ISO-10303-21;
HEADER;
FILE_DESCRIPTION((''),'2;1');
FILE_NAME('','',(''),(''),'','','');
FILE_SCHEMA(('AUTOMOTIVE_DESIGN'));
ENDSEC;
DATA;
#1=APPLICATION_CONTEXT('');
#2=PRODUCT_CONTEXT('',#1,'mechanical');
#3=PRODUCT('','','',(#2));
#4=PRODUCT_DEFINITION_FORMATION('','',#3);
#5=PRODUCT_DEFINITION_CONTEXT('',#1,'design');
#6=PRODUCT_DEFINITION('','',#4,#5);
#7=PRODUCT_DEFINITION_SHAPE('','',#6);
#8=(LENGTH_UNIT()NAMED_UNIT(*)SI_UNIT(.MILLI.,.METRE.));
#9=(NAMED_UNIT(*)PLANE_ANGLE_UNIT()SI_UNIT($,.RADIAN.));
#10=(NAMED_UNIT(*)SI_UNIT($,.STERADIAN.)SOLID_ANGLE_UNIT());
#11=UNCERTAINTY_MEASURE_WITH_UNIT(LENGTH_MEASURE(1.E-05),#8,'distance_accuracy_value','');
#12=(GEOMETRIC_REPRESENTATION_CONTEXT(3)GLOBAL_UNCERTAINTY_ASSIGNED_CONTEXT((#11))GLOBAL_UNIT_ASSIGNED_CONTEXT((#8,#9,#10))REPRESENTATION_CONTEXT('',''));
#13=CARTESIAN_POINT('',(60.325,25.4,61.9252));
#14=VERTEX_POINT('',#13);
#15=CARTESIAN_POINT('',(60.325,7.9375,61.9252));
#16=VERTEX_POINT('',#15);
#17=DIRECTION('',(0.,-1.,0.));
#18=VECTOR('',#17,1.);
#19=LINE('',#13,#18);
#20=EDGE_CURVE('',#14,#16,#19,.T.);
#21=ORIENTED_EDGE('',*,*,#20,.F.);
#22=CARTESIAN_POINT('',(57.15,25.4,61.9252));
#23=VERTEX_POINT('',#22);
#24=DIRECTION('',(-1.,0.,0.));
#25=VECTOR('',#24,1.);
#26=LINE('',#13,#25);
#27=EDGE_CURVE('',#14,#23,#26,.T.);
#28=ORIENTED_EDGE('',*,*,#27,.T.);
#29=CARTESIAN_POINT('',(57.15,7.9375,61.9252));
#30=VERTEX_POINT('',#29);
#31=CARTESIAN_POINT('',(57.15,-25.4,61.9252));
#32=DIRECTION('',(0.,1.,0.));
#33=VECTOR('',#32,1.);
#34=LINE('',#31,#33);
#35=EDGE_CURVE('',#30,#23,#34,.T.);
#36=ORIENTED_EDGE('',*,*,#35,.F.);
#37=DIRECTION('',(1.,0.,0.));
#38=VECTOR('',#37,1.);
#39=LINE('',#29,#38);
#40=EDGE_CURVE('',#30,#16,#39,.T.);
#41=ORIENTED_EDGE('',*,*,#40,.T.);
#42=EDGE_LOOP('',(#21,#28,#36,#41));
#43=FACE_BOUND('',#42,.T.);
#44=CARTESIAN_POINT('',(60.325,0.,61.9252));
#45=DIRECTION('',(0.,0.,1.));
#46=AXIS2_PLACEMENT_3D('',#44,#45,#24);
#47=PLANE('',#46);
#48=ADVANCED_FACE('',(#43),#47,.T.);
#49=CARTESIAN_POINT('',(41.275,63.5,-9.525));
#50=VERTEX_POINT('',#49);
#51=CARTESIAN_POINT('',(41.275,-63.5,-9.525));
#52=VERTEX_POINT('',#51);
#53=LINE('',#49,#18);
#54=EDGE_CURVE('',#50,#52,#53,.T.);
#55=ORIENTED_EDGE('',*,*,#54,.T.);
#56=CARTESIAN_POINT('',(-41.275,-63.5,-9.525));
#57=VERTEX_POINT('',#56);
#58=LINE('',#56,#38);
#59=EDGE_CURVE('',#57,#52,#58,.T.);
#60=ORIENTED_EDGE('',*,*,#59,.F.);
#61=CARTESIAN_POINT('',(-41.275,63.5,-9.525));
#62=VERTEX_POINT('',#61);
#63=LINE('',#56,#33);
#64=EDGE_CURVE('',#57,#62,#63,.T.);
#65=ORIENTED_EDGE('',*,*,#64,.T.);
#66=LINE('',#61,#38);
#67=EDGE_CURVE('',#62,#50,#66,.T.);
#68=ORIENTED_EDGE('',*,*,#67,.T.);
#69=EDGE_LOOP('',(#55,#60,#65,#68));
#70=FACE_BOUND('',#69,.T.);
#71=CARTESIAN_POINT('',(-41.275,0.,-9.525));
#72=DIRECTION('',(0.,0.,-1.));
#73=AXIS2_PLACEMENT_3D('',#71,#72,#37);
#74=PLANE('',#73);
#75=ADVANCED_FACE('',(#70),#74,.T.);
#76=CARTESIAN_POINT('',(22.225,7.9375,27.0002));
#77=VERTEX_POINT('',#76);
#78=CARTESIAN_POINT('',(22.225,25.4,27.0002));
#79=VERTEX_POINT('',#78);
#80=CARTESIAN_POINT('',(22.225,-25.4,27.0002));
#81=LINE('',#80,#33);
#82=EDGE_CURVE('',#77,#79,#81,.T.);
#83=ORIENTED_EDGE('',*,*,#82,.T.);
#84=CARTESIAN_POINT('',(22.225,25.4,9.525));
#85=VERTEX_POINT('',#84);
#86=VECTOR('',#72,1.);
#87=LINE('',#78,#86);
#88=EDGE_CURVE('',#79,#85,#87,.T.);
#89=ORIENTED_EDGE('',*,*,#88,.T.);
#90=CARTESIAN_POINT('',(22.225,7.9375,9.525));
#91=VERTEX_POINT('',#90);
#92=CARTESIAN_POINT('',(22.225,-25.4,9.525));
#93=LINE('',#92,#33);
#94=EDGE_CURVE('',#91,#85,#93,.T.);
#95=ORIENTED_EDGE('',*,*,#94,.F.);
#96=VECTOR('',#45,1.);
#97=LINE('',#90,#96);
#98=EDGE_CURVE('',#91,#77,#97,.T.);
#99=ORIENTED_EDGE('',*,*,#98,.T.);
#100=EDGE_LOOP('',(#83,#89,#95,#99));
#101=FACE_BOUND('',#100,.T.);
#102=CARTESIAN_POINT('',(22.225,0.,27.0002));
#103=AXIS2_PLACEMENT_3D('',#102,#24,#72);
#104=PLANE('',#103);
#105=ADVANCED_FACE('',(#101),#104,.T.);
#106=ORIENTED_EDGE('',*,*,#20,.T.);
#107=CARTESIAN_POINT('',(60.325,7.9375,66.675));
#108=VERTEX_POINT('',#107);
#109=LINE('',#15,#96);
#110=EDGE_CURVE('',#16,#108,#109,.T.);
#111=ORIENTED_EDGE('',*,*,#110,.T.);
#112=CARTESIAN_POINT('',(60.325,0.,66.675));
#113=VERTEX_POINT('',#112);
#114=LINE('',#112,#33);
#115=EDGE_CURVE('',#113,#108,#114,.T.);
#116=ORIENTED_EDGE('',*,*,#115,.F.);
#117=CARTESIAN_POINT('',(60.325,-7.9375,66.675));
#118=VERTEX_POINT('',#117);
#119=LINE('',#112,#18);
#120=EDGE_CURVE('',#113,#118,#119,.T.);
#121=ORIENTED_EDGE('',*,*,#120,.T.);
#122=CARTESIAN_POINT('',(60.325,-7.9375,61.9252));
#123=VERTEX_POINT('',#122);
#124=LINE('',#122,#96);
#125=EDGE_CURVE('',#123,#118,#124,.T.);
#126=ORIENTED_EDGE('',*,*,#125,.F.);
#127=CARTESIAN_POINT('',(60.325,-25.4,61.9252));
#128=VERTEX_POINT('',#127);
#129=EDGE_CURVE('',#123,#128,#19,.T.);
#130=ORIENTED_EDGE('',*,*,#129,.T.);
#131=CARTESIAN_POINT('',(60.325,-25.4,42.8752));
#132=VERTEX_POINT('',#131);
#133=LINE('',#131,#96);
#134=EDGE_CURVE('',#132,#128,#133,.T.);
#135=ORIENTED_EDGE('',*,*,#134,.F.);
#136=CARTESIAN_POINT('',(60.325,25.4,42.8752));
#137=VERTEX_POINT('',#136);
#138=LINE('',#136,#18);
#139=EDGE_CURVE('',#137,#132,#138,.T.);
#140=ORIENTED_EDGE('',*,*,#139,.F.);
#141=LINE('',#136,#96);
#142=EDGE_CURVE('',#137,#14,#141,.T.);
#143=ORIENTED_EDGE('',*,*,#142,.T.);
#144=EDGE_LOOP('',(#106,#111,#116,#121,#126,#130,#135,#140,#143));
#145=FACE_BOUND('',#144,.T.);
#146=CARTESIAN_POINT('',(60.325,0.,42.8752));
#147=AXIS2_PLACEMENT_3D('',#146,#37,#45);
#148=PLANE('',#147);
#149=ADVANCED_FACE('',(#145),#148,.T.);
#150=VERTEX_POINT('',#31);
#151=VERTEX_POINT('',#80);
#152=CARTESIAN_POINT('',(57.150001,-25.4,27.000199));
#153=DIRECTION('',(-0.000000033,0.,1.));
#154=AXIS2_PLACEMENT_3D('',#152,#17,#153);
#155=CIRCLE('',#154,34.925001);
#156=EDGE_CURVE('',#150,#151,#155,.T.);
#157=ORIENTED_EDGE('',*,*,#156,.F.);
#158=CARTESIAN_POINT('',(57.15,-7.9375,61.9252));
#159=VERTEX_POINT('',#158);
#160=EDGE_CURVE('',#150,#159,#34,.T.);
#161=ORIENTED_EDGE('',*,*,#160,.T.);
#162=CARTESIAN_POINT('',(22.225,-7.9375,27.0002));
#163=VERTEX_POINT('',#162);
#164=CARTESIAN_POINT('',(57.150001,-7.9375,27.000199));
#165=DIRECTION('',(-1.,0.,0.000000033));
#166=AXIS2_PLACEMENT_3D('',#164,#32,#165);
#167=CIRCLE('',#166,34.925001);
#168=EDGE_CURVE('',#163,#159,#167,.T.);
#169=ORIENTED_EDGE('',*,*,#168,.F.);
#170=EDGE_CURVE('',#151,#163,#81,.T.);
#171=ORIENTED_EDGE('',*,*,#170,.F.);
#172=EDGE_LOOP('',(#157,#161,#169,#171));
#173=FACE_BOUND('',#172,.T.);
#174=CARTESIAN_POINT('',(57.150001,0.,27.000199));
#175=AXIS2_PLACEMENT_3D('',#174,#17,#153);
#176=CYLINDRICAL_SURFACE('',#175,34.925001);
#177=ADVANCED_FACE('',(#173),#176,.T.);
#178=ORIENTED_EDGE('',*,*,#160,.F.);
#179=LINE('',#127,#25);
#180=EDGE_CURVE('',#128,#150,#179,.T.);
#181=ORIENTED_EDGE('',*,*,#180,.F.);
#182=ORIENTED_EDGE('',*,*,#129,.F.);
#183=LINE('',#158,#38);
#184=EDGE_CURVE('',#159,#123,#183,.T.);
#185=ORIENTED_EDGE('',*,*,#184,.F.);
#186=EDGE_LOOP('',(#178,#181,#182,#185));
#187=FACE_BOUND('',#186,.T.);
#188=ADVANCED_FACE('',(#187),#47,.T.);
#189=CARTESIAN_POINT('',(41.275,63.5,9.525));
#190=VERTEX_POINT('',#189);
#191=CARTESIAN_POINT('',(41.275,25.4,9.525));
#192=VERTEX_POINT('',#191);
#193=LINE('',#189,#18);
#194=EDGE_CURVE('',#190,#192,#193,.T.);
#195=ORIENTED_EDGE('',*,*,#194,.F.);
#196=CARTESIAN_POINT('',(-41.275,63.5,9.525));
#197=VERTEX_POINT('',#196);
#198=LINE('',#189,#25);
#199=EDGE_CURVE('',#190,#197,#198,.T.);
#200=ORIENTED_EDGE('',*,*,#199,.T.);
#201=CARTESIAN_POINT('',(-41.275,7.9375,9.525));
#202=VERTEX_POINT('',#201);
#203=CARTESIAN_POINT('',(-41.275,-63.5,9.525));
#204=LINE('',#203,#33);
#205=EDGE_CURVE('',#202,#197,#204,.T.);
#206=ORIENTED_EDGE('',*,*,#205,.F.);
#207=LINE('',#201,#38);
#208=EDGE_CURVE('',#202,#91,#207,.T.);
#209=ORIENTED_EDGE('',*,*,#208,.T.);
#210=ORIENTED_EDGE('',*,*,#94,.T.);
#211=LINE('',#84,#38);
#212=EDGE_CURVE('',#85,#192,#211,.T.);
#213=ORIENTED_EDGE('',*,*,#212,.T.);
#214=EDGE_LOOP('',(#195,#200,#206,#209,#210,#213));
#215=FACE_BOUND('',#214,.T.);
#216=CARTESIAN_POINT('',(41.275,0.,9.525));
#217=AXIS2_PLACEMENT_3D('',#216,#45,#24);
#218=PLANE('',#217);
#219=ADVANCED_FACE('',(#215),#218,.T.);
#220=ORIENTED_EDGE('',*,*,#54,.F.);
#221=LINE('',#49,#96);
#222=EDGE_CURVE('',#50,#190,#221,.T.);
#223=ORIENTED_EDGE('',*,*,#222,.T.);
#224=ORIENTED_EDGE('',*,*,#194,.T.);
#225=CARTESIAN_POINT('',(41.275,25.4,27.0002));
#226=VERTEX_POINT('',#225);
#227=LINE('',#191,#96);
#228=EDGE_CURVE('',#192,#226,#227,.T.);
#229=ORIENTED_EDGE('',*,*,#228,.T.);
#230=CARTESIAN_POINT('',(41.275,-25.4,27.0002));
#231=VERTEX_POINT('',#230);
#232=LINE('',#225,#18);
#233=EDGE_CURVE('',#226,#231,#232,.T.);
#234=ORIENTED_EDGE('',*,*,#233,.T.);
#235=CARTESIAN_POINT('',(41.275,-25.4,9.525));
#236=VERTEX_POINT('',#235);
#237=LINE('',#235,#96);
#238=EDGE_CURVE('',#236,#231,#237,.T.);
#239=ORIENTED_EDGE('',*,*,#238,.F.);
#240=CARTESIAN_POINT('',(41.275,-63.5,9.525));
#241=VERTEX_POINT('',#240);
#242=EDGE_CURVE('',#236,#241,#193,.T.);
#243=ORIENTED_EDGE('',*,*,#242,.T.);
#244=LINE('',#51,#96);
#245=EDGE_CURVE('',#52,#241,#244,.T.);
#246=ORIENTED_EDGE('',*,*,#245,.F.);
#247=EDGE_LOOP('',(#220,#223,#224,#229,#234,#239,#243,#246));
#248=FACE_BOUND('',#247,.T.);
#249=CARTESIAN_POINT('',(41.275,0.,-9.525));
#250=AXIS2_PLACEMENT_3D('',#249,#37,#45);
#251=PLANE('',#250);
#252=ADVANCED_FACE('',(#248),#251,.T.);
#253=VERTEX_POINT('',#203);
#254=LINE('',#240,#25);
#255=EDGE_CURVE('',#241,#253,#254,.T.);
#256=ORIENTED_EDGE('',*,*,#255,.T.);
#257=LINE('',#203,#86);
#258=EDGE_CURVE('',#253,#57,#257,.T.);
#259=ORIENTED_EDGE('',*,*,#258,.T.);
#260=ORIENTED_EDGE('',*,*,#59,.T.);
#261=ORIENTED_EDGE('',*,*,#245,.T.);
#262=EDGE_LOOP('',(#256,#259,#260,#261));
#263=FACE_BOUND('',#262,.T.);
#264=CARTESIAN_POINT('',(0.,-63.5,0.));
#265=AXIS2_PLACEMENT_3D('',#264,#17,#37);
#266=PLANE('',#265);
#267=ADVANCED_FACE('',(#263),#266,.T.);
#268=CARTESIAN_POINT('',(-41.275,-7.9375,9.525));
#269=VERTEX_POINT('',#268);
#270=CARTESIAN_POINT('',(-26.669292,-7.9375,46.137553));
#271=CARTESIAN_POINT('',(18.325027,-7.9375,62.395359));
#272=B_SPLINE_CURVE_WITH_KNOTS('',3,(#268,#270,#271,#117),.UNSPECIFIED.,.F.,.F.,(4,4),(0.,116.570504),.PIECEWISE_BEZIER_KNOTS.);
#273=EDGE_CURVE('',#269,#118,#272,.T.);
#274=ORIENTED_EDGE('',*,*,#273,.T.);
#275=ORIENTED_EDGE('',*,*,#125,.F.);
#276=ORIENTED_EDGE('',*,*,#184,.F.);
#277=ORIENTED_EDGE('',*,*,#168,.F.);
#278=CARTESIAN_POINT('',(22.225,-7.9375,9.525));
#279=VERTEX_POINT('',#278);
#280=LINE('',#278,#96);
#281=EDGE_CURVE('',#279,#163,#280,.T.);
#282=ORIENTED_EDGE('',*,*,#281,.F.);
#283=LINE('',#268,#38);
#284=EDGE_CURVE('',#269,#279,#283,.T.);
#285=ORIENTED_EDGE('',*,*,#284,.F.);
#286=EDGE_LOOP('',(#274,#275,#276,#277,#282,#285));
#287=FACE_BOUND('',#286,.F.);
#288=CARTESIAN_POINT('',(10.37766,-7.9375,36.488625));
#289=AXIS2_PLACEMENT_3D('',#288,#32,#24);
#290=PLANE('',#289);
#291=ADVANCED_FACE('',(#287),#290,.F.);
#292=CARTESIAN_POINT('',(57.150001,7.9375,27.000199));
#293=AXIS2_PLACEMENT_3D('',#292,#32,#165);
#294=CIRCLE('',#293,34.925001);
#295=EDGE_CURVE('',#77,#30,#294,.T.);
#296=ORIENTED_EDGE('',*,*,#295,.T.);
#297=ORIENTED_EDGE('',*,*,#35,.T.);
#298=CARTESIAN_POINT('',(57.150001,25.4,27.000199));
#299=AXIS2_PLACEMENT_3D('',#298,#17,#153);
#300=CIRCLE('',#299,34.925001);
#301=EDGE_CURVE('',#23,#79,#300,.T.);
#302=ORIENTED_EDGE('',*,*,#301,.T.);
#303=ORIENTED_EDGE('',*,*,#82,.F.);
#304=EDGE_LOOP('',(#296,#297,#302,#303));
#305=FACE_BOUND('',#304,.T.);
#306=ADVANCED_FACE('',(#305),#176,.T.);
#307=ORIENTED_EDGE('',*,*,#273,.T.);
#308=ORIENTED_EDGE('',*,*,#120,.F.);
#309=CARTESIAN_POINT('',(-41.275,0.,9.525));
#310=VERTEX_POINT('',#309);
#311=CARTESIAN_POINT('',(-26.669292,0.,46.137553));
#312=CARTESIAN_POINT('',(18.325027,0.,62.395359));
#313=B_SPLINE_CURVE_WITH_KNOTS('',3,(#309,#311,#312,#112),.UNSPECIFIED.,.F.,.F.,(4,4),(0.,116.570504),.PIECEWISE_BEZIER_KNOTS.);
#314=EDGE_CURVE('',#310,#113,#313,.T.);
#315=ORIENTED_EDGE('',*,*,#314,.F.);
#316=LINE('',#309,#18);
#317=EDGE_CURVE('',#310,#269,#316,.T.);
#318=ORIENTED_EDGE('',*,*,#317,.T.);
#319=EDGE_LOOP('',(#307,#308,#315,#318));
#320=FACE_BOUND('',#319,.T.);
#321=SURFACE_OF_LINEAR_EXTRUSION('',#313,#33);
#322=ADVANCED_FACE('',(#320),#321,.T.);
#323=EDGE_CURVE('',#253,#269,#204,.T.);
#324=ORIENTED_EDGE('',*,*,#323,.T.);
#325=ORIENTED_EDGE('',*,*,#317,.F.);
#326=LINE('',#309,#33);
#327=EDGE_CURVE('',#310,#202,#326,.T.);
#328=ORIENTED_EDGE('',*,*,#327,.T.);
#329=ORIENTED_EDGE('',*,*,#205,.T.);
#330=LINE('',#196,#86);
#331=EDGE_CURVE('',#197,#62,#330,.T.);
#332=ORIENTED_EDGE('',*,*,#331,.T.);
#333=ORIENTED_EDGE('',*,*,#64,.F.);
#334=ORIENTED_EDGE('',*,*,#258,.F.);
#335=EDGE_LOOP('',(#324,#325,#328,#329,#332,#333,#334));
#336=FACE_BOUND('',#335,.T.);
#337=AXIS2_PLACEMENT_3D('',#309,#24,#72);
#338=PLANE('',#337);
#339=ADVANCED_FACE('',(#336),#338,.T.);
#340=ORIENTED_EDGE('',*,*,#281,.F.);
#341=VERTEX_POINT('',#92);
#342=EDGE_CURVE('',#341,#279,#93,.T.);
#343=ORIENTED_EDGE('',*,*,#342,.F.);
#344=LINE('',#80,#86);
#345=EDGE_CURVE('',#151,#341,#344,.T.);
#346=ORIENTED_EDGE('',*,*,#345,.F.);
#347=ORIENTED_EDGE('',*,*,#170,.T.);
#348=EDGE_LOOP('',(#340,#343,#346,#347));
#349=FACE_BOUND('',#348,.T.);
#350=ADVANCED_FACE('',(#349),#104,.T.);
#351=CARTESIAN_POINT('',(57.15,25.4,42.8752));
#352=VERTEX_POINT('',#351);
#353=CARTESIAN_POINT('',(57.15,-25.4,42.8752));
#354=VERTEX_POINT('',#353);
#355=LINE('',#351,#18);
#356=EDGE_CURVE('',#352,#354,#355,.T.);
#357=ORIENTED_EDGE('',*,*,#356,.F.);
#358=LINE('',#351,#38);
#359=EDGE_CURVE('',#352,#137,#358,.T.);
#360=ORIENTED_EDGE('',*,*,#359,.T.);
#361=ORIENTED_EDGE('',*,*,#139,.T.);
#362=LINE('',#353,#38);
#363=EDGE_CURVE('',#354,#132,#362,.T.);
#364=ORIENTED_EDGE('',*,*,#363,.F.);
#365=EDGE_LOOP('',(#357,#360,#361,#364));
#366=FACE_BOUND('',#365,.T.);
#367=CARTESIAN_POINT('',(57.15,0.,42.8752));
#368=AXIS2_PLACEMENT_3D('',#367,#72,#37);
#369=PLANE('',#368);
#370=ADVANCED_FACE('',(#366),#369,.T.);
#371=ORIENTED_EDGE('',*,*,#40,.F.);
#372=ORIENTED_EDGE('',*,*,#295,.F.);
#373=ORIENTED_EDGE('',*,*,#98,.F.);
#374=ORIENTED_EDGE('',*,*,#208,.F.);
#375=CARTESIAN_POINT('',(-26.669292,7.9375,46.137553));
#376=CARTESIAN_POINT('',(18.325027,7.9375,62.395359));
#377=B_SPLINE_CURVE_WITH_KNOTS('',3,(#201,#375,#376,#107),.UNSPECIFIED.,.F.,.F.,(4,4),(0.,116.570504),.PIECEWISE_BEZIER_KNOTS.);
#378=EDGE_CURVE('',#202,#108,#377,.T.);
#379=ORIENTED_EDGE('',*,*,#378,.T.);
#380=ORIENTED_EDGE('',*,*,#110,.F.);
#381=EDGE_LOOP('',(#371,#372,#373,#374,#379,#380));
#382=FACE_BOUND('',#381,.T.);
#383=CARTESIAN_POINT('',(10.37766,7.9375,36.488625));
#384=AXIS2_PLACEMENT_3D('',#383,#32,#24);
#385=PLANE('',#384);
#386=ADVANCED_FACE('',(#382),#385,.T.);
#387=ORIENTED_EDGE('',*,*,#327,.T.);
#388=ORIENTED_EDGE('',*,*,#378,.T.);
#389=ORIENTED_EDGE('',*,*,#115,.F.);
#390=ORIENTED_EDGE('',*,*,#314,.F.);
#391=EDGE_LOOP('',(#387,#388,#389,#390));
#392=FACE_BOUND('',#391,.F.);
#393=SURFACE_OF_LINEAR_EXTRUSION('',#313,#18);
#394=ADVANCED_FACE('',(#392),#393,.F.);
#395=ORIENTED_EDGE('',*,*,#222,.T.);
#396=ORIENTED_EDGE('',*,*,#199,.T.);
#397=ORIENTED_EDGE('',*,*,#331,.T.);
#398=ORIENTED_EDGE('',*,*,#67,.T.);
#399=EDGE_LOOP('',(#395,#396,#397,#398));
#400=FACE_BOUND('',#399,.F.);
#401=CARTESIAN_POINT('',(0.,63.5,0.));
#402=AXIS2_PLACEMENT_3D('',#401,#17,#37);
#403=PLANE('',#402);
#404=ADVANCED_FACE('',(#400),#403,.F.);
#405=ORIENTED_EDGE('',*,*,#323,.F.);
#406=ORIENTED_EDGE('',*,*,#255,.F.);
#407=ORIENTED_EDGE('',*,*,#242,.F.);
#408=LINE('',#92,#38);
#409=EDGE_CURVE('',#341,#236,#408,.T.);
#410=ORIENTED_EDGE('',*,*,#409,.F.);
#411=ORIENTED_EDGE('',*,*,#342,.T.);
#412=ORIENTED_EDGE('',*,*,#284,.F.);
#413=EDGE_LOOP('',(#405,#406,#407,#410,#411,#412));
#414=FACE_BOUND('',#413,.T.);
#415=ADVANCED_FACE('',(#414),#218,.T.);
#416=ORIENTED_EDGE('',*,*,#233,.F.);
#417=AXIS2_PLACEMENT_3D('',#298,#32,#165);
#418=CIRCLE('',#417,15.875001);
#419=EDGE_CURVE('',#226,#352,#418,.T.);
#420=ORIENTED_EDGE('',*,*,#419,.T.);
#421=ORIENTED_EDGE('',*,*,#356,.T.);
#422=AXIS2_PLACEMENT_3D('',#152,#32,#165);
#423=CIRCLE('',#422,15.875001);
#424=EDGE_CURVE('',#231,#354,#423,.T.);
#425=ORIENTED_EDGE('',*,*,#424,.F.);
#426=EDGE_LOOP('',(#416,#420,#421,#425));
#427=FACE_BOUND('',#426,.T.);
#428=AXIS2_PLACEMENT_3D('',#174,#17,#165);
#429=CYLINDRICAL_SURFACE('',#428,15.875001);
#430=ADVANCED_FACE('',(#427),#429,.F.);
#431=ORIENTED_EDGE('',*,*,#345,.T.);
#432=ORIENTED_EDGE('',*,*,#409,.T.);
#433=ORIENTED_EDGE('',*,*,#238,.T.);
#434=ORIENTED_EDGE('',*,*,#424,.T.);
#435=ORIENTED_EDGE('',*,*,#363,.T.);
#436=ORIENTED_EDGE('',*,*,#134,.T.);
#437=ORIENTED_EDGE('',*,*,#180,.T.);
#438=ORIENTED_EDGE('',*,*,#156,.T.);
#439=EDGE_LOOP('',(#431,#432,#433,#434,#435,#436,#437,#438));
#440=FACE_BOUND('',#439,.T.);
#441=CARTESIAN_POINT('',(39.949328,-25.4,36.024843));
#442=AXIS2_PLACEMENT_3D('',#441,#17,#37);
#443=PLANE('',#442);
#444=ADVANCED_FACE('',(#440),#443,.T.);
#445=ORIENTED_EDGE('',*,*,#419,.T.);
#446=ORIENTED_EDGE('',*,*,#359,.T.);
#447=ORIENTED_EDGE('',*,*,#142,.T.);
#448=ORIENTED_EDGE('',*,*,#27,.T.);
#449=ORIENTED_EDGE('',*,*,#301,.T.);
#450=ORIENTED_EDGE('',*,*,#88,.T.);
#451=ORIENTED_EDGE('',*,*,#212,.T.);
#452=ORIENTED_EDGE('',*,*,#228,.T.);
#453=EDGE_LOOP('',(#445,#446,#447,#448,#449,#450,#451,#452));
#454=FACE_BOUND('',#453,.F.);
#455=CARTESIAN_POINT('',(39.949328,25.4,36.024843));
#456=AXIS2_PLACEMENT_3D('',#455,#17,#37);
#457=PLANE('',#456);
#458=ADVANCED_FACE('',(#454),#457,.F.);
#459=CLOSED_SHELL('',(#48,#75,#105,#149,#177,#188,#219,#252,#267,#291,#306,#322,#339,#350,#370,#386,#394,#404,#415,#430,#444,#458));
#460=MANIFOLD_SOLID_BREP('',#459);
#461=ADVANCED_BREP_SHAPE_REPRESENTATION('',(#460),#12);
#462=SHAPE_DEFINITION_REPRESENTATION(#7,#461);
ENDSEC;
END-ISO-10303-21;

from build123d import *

# Parameters (mm, degrees)
F1_DEPTH = 63.5
F2_DEPTH = 25.4
F3_DEPTH = 7.9375


with BuildPart() as f1:
    # F0 (on Front) → F1 (new body, symmetric)
    with BuildSketch(Plane.XZ):
        Polygon((-41.275, -9.525), (41.275, -9.525), (41.275, 9.525), (22.225, 9.525), (-41.275, 9.525), align=None)
    extrude(amount=F1_DEPTH, both=True)

    # F0 (on Front) → F2 (join, symmetric)
    with BuildSketch(Plane.XZ):
        with BuildLine():
            Line((22.225, 9.525), (41.275, 9.525))
            Line((41.275, 9.525), (41.275, 27.0002))
            ThreePointArc((41.275, 27.0002), (45.92468, 38.22552), (57.15, 42.8752))
            Line((57.15, 42.8752), (60.325, 42.8752))
            Line((60.325, 42.8752), (60.325, 61.9252))
            Line((60.325, 61.9252), (57.15, 61.9252))
            ThreePointArc((57.15, 61.9252), (32.454296, 51.695904), (22.225, 27.0002))
            Line((22.225, 27.0002), (22.225, 9.525))
        make_face()
    extrude(amount=F2_DEPTH, both=True)

    # F0 (on Front) → F3 (join, symmetric)
    with BuildSketch(Plane.XZ):
        with BuildLine():
            add(Edge.make_bspline(
                [(-41.275, 9.525), (-26.669292, 46.137553), (18.325027, 62.395359), (60.325, 66.675)],
                knots=[0, 0, 0, 0, 116.570504, 116.570504, 116.570504, 116.570504], degree=3))
            Line((-41.275, 9.525), (22.225, 9.525))
            Line((22.225, 9.525), (22.225, 27.0002))
            ThreePointArc((22.225, 27.0002), (32.454296, 51.695904), (57.15, 61.9252))
            Line((57.15, 61.9252), (60.325, 61.9252))
            Line((60.325, 61.9252), (60.325, 66.675))
        make_face()
    extrude(amount=F3_DEPTH, both=True)


solid = f1.part
